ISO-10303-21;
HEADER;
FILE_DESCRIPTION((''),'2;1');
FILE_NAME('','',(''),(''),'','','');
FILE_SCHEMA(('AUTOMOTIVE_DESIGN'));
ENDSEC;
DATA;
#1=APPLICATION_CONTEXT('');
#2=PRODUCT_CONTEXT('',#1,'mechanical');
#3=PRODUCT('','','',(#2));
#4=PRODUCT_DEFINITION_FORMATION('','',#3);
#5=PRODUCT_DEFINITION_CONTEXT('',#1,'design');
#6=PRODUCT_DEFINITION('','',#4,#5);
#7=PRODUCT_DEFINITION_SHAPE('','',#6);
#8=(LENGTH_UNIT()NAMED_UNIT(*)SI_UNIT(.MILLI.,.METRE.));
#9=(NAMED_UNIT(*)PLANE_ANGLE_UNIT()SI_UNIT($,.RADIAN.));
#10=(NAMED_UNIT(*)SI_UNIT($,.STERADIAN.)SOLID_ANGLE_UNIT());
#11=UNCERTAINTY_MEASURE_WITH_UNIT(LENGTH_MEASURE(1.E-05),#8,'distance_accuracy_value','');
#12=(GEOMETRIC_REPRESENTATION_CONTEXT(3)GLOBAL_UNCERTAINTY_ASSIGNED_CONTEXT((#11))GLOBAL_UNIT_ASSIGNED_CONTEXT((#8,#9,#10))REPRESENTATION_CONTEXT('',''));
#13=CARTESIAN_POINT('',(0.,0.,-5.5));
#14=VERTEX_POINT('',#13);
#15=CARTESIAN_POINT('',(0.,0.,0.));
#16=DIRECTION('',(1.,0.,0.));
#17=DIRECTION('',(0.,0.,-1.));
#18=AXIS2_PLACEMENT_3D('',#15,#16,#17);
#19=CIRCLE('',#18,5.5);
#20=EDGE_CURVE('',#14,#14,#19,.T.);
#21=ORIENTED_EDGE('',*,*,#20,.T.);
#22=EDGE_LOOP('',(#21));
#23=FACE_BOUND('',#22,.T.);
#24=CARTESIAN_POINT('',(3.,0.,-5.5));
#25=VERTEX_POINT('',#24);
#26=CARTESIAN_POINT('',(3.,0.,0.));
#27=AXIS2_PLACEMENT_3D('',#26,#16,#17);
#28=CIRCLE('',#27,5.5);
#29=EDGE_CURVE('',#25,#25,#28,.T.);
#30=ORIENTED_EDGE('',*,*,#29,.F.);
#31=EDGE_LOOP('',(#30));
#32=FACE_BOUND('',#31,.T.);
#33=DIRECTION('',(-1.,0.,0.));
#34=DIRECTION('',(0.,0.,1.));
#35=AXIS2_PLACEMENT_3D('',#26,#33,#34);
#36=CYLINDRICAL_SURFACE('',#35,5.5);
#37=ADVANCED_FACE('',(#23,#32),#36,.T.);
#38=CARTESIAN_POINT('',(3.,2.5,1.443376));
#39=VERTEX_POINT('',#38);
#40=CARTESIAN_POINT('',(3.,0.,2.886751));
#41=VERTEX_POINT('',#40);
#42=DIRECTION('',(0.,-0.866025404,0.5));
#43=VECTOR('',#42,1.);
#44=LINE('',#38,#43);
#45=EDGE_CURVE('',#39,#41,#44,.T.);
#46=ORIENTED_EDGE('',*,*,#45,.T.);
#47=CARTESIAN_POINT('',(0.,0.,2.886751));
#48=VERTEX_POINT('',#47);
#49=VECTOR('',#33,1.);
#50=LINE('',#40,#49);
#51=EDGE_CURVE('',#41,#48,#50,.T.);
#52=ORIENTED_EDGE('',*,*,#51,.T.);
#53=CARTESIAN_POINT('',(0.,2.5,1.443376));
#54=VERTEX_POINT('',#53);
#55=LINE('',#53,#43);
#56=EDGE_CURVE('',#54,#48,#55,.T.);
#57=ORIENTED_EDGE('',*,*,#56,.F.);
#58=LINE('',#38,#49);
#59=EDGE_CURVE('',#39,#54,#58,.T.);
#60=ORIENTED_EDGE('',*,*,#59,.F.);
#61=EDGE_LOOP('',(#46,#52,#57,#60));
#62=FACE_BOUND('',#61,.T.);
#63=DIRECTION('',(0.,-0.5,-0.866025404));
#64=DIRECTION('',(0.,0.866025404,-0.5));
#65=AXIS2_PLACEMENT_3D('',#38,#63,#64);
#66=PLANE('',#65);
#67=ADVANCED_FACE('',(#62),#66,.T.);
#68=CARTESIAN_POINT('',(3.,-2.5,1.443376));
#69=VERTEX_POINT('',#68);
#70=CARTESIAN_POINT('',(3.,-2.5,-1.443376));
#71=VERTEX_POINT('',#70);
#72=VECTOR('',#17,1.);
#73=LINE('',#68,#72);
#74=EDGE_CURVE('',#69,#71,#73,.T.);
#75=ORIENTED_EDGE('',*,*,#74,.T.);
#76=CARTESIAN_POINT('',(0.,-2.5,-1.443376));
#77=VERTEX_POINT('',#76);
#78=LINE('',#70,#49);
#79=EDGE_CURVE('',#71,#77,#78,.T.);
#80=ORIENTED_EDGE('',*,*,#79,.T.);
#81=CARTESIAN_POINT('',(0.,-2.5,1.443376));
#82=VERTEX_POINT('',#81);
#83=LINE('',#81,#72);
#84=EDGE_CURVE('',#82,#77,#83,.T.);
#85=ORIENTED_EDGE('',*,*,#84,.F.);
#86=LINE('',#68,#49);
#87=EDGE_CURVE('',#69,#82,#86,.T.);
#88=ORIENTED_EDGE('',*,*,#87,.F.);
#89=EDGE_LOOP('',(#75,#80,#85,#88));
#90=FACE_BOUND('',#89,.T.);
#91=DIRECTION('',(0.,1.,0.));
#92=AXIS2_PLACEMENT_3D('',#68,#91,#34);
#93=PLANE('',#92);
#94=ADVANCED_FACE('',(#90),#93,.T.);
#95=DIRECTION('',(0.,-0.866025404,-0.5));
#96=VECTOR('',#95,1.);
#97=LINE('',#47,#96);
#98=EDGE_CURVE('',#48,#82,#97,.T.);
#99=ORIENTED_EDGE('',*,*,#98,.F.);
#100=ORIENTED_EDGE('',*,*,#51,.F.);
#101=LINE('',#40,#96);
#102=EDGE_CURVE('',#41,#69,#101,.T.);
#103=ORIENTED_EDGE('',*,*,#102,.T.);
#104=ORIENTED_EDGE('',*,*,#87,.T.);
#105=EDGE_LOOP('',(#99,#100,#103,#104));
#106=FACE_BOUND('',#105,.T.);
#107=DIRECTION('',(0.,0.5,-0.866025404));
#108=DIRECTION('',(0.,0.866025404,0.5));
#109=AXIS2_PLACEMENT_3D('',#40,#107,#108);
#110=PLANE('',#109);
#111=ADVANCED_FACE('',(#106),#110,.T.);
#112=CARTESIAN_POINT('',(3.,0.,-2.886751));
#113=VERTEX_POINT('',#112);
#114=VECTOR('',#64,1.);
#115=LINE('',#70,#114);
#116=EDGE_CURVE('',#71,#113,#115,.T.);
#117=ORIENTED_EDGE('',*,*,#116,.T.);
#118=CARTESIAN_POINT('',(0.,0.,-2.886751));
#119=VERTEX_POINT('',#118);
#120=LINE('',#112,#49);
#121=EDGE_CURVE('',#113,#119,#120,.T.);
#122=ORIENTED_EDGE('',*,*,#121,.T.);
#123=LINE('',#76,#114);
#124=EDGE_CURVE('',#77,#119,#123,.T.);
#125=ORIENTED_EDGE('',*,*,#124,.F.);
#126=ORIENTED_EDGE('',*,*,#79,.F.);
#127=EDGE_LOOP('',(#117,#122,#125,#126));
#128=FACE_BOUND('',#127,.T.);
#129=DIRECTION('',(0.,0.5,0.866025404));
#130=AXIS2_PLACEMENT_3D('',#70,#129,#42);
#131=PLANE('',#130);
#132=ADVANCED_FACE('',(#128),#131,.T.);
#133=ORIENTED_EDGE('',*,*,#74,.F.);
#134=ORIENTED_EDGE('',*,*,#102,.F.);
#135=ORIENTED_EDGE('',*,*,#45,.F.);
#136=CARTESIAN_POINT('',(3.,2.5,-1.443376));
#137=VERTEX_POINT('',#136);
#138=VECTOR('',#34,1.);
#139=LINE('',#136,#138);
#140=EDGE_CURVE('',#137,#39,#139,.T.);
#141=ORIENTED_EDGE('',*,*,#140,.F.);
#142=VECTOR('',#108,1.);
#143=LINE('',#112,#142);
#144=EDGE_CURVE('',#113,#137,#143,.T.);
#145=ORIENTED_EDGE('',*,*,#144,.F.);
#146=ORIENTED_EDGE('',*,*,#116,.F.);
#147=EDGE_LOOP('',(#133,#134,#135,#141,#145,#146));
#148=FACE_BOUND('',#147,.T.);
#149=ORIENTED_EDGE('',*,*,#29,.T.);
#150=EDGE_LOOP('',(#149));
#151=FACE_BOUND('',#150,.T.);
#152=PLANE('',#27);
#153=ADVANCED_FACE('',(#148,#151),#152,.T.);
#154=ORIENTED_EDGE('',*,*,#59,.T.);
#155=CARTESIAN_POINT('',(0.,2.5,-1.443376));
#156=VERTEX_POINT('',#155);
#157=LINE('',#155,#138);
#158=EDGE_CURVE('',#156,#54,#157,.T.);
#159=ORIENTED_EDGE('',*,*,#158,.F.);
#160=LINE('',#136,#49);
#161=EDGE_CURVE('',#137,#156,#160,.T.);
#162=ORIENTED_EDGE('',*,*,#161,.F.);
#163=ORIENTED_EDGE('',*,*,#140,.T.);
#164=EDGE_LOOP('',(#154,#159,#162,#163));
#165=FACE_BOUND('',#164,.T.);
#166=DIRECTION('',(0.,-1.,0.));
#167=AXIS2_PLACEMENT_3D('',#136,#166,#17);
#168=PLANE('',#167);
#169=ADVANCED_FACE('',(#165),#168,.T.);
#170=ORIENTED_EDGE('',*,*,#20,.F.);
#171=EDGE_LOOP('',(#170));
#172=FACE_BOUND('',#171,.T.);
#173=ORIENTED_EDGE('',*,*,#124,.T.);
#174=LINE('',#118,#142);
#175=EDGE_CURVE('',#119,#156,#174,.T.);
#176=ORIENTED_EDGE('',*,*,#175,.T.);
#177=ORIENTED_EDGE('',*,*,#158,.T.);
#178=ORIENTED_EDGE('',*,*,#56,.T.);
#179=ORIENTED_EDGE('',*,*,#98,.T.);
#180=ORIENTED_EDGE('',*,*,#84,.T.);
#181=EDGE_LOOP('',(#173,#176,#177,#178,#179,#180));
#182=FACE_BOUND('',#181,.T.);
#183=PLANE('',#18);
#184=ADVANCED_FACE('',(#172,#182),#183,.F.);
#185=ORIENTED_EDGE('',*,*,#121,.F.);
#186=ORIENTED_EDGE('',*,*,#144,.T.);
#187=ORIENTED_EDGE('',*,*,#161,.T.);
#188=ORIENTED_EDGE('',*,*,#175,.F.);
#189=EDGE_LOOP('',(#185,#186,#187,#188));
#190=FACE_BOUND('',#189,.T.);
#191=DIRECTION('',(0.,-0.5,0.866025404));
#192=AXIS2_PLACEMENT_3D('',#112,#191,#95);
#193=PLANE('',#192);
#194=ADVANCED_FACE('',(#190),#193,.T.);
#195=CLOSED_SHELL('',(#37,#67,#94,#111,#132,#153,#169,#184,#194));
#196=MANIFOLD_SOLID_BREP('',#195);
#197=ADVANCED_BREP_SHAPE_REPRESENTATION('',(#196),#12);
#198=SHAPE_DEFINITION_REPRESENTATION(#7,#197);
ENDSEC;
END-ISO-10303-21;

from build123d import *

# Parameters (mm, degrees)
SKETCH_1_R      = 5.5
EXTRUDE_1_DEPTH = 3


with BuildPart() as part:
    # 草图1 → 凸台-拉伸1 (new body)
    with BuildSketch(Plane(origin=(0, 0, 0), x_dir=(0, 0, -1), z_dir=(1, 0, 0))):
        Circle(SKETCH_1_R)
        Polygon((2.886751346, 0), (1.443375673, 2.5), (-1.443375673, 2.5), (-2.886751346, 0), (-1.443375673, -2.5), (1.443375673, -2.5), align=None, mode=Mode.SUBTRACT)
    extrude(amount=EXTRUDE_1_DEPTH)


solid = part.part
